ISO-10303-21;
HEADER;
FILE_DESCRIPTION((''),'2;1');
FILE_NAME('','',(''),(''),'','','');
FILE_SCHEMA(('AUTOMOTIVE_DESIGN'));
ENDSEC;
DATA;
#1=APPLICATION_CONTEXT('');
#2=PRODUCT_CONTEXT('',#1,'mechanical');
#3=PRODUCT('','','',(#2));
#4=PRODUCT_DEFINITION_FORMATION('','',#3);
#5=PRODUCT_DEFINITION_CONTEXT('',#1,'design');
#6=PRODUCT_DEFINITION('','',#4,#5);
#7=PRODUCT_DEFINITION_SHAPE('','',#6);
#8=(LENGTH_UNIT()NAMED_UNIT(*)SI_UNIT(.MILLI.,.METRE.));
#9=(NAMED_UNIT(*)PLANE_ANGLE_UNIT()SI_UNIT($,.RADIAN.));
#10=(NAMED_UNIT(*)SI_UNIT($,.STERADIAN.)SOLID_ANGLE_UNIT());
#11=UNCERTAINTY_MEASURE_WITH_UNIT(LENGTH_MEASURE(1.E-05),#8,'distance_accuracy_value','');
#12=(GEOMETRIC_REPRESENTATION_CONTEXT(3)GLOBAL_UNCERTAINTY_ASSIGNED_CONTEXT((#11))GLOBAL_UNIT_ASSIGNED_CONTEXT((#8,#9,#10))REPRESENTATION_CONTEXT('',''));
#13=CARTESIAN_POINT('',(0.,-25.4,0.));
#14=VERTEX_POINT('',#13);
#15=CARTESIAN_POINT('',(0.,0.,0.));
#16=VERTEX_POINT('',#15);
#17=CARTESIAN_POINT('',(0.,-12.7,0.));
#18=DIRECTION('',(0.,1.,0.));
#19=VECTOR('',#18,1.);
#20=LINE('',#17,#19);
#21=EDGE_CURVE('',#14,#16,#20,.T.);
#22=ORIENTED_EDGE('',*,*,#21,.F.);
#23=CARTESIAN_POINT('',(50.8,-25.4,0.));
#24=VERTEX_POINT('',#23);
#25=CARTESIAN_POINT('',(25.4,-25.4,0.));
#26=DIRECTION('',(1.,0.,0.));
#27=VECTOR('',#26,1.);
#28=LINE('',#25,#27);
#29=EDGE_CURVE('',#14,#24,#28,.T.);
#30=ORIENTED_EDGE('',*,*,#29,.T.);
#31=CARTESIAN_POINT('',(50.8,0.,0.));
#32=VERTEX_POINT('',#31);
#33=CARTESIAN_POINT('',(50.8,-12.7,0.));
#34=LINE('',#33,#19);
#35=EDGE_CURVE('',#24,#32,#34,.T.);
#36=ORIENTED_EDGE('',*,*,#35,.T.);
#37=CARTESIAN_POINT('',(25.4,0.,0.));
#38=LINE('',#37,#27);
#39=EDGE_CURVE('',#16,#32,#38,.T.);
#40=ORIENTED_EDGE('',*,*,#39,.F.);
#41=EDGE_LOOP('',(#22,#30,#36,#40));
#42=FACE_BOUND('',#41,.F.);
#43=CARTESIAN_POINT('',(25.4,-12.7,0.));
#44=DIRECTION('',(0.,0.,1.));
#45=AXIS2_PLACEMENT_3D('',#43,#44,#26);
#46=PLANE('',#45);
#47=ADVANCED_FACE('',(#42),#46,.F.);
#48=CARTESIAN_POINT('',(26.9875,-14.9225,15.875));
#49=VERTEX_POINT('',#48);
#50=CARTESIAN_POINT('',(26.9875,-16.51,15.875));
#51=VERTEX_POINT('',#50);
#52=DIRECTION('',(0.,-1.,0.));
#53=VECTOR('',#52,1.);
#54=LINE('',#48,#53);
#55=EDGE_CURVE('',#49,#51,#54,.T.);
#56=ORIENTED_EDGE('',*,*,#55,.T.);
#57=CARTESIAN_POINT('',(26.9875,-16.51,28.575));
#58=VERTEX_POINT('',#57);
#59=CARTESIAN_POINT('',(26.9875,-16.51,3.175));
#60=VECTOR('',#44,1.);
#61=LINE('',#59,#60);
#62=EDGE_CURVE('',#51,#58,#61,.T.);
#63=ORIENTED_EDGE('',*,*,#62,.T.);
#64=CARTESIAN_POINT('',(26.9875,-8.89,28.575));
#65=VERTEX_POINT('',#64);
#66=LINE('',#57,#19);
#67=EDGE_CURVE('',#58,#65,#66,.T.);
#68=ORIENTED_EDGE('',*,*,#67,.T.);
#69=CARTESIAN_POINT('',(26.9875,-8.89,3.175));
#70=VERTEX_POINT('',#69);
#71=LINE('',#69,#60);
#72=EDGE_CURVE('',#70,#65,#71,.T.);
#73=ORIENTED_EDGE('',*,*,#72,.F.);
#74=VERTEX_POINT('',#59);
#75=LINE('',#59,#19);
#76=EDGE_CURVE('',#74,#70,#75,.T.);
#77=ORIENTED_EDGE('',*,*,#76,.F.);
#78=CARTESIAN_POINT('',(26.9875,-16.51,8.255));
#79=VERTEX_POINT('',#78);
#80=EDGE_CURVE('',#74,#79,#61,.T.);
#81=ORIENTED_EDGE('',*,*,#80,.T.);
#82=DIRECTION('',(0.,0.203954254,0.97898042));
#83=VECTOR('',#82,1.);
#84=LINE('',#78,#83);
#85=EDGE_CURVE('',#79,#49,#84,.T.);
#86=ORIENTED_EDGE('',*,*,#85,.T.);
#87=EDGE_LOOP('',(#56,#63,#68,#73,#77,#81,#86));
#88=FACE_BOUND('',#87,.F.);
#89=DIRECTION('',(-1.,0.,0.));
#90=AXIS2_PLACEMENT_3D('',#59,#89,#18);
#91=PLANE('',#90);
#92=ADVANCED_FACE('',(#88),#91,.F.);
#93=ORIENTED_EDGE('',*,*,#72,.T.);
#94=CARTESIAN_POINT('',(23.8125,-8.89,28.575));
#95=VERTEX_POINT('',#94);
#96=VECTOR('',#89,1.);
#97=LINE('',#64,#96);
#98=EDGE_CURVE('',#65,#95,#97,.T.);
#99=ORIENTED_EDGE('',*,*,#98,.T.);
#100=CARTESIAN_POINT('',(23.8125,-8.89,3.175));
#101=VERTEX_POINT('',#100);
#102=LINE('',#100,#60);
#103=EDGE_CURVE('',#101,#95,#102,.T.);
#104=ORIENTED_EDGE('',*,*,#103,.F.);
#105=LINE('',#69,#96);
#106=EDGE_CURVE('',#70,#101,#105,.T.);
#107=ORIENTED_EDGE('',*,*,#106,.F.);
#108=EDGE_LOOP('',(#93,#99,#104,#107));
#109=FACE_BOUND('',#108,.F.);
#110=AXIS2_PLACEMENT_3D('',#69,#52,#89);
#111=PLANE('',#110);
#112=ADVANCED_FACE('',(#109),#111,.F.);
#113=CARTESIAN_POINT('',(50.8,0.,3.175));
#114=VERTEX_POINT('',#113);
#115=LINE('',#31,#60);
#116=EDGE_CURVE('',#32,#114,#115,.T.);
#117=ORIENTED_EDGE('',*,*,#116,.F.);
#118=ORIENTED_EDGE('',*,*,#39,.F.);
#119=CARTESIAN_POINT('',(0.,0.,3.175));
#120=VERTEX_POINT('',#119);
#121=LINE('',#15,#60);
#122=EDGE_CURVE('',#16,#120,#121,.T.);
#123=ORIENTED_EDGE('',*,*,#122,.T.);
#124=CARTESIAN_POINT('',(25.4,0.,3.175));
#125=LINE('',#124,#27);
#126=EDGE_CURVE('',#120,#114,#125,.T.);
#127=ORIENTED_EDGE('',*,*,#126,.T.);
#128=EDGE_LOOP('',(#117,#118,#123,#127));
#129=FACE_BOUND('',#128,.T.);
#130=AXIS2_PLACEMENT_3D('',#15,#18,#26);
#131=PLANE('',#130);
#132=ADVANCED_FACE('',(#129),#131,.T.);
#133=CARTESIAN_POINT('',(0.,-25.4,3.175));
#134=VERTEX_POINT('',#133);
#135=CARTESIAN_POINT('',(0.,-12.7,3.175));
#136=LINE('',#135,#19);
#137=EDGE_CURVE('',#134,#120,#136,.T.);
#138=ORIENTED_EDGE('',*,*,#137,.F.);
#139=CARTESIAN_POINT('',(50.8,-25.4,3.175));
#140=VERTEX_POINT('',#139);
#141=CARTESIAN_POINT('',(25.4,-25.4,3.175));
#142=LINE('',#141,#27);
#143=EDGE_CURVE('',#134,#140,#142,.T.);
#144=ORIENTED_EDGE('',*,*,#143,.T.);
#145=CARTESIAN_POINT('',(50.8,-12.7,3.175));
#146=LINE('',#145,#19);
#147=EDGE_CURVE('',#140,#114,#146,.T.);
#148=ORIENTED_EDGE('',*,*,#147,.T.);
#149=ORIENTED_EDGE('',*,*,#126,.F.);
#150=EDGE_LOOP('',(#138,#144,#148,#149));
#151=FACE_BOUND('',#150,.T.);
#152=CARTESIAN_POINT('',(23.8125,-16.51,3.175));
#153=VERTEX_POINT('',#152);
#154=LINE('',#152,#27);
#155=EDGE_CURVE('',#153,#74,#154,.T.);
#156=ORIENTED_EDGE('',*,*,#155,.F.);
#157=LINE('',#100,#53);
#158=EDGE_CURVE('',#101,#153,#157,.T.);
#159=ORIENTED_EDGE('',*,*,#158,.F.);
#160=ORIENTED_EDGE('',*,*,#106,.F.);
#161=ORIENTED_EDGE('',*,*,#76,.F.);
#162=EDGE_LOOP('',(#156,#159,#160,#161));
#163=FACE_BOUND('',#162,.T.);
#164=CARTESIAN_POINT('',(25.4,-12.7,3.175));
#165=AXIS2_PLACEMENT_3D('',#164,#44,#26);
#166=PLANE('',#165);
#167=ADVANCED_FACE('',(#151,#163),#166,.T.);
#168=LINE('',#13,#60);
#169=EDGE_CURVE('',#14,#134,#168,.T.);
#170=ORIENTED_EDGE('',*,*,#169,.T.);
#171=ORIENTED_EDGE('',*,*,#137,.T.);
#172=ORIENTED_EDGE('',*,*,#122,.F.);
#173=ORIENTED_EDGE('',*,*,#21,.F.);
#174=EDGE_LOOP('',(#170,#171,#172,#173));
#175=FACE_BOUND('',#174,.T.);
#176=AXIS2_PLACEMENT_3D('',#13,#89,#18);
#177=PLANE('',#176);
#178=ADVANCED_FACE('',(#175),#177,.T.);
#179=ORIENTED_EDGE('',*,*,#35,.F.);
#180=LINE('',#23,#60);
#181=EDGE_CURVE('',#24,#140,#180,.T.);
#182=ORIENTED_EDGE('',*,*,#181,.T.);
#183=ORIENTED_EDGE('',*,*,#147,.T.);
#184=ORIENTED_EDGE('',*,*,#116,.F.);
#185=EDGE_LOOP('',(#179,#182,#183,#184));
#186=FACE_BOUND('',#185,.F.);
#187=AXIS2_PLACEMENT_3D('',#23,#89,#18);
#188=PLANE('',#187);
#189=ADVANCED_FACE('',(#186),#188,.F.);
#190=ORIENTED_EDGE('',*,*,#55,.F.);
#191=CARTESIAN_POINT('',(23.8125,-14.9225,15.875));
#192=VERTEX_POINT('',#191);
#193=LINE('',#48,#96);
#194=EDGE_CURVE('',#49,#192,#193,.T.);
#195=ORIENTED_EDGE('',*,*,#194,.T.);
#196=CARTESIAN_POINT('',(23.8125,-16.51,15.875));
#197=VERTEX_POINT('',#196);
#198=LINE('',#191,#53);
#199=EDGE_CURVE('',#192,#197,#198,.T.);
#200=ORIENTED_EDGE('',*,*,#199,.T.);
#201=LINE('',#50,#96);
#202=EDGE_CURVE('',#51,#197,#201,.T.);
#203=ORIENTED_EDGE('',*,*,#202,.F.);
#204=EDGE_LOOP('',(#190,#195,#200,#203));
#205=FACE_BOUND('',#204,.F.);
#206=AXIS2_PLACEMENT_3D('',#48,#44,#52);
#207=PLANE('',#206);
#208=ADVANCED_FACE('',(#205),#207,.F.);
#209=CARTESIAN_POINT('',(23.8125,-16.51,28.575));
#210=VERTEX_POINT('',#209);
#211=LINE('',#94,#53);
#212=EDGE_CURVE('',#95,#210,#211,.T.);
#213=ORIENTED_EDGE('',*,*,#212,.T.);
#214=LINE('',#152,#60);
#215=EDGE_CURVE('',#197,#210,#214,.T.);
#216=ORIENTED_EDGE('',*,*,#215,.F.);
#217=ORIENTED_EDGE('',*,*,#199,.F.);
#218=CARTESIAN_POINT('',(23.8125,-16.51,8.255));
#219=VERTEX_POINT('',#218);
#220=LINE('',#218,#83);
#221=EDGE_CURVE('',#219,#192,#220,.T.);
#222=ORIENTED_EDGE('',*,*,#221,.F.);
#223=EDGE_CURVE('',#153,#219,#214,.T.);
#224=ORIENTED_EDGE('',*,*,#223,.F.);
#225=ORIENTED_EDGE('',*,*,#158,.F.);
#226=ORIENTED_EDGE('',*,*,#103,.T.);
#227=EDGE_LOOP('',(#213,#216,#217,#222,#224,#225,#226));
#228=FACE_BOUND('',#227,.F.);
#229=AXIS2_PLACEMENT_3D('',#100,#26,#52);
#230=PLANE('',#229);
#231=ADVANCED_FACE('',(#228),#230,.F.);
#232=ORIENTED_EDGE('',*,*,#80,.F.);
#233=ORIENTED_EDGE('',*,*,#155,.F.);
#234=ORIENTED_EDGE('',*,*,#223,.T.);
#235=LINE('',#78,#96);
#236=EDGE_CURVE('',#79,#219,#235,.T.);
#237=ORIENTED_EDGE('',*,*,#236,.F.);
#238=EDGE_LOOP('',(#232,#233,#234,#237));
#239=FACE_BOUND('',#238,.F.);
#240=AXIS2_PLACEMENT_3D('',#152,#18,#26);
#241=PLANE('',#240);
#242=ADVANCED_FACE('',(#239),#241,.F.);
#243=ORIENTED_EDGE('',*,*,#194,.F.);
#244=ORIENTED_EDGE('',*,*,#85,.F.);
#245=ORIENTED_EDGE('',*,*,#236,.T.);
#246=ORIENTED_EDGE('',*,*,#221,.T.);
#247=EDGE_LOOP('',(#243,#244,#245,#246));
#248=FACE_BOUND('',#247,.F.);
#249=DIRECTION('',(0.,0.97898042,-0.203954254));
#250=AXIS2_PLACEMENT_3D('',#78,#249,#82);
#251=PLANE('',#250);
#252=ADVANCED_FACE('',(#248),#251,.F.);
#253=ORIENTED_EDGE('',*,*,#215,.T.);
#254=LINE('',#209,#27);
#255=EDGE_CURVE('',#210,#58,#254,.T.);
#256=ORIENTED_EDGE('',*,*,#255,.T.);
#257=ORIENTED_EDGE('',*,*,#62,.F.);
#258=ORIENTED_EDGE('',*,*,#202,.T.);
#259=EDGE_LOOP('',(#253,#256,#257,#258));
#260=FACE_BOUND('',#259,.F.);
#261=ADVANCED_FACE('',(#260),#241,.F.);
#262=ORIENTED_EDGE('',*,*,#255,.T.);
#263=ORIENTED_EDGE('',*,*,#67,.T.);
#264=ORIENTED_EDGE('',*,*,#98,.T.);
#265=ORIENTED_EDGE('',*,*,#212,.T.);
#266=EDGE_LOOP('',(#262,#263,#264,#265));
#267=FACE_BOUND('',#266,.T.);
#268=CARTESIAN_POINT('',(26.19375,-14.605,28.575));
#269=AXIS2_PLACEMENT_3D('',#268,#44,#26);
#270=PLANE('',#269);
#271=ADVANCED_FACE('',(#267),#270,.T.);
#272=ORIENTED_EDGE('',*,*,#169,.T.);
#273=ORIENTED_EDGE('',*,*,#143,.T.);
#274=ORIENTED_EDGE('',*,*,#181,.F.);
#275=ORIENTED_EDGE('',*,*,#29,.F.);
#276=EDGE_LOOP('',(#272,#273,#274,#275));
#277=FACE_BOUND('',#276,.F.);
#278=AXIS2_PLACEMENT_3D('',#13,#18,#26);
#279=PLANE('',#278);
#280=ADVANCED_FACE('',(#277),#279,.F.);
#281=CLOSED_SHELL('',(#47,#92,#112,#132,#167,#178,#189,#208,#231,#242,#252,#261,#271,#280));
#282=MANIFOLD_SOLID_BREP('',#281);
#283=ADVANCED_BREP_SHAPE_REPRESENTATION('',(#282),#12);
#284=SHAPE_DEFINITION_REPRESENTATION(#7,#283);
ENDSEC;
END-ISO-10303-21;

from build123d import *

# Parameters (mm, degrees)
F0_W     = 50.8
F0_H     = 25.4
F1_DEPTH = 3.175
F2_W     = 1.5875
F2_H     = 3.81
F3_DEPTH = 25.4
F5_DEPTH = 3.175


with BuildPart() as f1:
    # F0 (on Top) → F1 (new body)
    with BuildSketch(Plane.XY):
        with Locations((25.4, -12.7)):
            Rectangle(F0_W, F0_H)
    extrude(amount=F1_DEPTH)

    # F2 (on face) → F3 (join)
    with BuildSketch(Plane.XY.offset(3.175)):
        with Locations((26.19375, -14.605)):
            Rectangle(F2_W, F2_H)
        with Locations((24.60625, -14.605)):
            Rectangle(F2_W, F2_H)
        with Locations((26.19375, -10.795)):
            Rectangle(F2_W, F2_H)
        with Locations((24.60625, -10.795)):
            Rectangle(F2_W, F2_H)
    extrude(amount=F3_DEPTH)

    # F4 (on face) → F5 (cut, through all)
    with BuildSketch(Plane.YZ.offset(26.9875)):
        Polygon((-14.9225, 15.875), (-16.51, 15.875), (-16.51, 8.255), align=None)
    extrude(amount=-F5_DEPTH, mode=Mode.SUBTRACT)


solid = f1.part
